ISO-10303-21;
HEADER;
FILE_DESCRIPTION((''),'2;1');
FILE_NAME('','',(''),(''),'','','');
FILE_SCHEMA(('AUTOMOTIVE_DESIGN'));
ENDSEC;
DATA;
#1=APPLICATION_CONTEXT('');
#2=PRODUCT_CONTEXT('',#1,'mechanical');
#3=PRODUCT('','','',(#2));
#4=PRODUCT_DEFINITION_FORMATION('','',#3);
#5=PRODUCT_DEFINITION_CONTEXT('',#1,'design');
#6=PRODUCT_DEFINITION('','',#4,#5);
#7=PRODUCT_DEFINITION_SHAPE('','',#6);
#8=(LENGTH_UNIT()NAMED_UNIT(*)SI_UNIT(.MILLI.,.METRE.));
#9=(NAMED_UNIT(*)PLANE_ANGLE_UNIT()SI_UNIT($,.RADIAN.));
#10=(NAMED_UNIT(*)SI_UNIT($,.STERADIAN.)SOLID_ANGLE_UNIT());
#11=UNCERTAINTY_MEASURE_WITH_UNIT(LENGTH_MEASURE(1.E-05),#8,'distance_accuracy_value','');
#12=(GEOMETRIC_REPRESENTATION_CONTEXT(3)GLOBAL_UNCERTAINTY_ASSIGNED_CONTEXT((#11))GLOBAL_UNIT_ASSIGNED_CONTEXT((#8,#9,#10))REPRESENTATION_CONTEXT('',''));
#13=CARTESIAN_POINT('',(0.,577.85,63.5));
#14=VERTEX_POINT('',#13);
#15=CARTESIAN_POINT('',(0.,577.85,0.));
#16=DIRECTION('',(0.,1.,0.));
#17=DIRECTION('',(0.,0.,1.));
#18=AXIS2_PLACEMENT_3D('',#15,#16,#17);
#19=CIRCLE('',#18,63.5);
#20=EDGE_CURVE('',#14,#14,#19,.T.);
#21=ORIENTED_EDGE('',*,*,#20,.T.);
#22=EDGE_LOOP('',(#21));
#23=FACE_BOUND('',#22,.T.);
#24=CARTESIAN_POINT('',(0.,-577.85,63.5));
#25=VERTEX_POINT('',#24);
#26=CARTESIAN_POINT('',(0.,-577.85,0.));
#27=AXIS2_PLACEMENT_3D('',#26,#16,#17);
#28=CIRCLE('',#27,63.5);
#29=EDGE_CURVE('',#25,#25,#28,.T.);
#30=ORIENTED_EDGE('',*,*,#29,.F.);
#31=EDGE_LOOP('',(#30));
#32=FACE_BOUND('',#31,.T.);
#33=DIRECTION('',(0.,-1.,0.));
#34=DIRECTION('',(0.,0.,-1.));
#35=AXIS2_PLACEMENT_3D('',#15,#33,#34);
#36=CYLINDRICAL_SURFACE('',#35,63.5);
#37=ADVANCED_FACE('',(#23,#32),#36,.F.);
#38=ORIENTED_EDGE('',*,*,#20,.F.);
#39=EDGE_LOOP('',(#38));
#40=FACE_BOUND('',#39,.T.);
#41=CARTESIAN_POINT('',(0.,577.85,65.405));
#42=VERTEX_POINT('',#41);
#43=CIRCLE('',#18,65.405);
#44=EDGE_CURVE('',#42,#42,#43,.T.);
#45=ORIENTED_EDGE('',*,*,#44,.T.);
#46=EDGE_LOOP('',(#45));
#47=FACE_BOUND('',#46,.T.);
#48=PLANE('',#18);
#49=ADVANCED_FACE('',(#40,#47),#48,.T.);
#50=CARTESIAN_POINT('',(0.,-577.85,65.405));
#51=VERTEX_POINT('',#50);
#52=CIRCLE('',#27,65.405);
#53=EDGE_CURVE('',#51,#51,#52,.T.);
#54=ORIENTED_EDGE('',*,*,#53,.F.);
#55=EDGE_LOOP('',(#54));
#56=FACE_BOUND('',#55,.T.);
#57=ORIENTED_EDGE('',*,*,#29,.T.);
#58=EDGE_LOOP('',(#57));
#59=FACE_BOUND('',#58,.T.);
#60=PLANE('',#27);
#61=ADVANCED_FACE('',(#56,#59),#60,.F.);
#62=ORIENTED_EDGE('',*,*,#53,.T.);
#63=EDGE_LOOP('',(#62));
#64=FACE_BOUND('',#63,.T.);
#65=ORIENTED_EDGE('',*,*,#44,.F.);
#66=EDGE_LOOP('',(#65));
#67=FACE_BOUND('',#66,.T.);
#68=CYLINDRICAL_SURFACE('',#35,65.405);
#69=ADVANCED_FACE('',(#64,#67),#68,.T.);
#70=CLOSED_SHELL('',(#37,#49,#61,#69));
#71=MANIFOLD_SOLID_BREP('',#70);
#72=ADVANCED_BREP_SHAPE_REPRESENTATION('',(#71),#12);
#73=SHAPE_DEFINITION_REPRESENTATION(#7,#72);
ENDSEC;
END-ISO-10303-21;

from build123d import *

# Parameters (mm, degrees)
SKETCH1_R           = 65.405
SKETCH1_R_2         = 63.5
BOSS_EXTRUDE1_DEPTH = 577.85


with BuildPart() as part:
    # Sketch1 → Boss-Extrude1 (new body, symmetric)
    with BuildSketch(Plane(origin=(0, 0, 0), x_dir=(1, 0, 0), z_dir=(0, 1, 0))):
        Circle(SKETCH1_R)
        Circle(SKETCH1_R_2, mode=Mode.SUBTRACT)
    extrude(amount=BOSS_EXTRUDE1_DEPTH, both=True)


solid = part.part
